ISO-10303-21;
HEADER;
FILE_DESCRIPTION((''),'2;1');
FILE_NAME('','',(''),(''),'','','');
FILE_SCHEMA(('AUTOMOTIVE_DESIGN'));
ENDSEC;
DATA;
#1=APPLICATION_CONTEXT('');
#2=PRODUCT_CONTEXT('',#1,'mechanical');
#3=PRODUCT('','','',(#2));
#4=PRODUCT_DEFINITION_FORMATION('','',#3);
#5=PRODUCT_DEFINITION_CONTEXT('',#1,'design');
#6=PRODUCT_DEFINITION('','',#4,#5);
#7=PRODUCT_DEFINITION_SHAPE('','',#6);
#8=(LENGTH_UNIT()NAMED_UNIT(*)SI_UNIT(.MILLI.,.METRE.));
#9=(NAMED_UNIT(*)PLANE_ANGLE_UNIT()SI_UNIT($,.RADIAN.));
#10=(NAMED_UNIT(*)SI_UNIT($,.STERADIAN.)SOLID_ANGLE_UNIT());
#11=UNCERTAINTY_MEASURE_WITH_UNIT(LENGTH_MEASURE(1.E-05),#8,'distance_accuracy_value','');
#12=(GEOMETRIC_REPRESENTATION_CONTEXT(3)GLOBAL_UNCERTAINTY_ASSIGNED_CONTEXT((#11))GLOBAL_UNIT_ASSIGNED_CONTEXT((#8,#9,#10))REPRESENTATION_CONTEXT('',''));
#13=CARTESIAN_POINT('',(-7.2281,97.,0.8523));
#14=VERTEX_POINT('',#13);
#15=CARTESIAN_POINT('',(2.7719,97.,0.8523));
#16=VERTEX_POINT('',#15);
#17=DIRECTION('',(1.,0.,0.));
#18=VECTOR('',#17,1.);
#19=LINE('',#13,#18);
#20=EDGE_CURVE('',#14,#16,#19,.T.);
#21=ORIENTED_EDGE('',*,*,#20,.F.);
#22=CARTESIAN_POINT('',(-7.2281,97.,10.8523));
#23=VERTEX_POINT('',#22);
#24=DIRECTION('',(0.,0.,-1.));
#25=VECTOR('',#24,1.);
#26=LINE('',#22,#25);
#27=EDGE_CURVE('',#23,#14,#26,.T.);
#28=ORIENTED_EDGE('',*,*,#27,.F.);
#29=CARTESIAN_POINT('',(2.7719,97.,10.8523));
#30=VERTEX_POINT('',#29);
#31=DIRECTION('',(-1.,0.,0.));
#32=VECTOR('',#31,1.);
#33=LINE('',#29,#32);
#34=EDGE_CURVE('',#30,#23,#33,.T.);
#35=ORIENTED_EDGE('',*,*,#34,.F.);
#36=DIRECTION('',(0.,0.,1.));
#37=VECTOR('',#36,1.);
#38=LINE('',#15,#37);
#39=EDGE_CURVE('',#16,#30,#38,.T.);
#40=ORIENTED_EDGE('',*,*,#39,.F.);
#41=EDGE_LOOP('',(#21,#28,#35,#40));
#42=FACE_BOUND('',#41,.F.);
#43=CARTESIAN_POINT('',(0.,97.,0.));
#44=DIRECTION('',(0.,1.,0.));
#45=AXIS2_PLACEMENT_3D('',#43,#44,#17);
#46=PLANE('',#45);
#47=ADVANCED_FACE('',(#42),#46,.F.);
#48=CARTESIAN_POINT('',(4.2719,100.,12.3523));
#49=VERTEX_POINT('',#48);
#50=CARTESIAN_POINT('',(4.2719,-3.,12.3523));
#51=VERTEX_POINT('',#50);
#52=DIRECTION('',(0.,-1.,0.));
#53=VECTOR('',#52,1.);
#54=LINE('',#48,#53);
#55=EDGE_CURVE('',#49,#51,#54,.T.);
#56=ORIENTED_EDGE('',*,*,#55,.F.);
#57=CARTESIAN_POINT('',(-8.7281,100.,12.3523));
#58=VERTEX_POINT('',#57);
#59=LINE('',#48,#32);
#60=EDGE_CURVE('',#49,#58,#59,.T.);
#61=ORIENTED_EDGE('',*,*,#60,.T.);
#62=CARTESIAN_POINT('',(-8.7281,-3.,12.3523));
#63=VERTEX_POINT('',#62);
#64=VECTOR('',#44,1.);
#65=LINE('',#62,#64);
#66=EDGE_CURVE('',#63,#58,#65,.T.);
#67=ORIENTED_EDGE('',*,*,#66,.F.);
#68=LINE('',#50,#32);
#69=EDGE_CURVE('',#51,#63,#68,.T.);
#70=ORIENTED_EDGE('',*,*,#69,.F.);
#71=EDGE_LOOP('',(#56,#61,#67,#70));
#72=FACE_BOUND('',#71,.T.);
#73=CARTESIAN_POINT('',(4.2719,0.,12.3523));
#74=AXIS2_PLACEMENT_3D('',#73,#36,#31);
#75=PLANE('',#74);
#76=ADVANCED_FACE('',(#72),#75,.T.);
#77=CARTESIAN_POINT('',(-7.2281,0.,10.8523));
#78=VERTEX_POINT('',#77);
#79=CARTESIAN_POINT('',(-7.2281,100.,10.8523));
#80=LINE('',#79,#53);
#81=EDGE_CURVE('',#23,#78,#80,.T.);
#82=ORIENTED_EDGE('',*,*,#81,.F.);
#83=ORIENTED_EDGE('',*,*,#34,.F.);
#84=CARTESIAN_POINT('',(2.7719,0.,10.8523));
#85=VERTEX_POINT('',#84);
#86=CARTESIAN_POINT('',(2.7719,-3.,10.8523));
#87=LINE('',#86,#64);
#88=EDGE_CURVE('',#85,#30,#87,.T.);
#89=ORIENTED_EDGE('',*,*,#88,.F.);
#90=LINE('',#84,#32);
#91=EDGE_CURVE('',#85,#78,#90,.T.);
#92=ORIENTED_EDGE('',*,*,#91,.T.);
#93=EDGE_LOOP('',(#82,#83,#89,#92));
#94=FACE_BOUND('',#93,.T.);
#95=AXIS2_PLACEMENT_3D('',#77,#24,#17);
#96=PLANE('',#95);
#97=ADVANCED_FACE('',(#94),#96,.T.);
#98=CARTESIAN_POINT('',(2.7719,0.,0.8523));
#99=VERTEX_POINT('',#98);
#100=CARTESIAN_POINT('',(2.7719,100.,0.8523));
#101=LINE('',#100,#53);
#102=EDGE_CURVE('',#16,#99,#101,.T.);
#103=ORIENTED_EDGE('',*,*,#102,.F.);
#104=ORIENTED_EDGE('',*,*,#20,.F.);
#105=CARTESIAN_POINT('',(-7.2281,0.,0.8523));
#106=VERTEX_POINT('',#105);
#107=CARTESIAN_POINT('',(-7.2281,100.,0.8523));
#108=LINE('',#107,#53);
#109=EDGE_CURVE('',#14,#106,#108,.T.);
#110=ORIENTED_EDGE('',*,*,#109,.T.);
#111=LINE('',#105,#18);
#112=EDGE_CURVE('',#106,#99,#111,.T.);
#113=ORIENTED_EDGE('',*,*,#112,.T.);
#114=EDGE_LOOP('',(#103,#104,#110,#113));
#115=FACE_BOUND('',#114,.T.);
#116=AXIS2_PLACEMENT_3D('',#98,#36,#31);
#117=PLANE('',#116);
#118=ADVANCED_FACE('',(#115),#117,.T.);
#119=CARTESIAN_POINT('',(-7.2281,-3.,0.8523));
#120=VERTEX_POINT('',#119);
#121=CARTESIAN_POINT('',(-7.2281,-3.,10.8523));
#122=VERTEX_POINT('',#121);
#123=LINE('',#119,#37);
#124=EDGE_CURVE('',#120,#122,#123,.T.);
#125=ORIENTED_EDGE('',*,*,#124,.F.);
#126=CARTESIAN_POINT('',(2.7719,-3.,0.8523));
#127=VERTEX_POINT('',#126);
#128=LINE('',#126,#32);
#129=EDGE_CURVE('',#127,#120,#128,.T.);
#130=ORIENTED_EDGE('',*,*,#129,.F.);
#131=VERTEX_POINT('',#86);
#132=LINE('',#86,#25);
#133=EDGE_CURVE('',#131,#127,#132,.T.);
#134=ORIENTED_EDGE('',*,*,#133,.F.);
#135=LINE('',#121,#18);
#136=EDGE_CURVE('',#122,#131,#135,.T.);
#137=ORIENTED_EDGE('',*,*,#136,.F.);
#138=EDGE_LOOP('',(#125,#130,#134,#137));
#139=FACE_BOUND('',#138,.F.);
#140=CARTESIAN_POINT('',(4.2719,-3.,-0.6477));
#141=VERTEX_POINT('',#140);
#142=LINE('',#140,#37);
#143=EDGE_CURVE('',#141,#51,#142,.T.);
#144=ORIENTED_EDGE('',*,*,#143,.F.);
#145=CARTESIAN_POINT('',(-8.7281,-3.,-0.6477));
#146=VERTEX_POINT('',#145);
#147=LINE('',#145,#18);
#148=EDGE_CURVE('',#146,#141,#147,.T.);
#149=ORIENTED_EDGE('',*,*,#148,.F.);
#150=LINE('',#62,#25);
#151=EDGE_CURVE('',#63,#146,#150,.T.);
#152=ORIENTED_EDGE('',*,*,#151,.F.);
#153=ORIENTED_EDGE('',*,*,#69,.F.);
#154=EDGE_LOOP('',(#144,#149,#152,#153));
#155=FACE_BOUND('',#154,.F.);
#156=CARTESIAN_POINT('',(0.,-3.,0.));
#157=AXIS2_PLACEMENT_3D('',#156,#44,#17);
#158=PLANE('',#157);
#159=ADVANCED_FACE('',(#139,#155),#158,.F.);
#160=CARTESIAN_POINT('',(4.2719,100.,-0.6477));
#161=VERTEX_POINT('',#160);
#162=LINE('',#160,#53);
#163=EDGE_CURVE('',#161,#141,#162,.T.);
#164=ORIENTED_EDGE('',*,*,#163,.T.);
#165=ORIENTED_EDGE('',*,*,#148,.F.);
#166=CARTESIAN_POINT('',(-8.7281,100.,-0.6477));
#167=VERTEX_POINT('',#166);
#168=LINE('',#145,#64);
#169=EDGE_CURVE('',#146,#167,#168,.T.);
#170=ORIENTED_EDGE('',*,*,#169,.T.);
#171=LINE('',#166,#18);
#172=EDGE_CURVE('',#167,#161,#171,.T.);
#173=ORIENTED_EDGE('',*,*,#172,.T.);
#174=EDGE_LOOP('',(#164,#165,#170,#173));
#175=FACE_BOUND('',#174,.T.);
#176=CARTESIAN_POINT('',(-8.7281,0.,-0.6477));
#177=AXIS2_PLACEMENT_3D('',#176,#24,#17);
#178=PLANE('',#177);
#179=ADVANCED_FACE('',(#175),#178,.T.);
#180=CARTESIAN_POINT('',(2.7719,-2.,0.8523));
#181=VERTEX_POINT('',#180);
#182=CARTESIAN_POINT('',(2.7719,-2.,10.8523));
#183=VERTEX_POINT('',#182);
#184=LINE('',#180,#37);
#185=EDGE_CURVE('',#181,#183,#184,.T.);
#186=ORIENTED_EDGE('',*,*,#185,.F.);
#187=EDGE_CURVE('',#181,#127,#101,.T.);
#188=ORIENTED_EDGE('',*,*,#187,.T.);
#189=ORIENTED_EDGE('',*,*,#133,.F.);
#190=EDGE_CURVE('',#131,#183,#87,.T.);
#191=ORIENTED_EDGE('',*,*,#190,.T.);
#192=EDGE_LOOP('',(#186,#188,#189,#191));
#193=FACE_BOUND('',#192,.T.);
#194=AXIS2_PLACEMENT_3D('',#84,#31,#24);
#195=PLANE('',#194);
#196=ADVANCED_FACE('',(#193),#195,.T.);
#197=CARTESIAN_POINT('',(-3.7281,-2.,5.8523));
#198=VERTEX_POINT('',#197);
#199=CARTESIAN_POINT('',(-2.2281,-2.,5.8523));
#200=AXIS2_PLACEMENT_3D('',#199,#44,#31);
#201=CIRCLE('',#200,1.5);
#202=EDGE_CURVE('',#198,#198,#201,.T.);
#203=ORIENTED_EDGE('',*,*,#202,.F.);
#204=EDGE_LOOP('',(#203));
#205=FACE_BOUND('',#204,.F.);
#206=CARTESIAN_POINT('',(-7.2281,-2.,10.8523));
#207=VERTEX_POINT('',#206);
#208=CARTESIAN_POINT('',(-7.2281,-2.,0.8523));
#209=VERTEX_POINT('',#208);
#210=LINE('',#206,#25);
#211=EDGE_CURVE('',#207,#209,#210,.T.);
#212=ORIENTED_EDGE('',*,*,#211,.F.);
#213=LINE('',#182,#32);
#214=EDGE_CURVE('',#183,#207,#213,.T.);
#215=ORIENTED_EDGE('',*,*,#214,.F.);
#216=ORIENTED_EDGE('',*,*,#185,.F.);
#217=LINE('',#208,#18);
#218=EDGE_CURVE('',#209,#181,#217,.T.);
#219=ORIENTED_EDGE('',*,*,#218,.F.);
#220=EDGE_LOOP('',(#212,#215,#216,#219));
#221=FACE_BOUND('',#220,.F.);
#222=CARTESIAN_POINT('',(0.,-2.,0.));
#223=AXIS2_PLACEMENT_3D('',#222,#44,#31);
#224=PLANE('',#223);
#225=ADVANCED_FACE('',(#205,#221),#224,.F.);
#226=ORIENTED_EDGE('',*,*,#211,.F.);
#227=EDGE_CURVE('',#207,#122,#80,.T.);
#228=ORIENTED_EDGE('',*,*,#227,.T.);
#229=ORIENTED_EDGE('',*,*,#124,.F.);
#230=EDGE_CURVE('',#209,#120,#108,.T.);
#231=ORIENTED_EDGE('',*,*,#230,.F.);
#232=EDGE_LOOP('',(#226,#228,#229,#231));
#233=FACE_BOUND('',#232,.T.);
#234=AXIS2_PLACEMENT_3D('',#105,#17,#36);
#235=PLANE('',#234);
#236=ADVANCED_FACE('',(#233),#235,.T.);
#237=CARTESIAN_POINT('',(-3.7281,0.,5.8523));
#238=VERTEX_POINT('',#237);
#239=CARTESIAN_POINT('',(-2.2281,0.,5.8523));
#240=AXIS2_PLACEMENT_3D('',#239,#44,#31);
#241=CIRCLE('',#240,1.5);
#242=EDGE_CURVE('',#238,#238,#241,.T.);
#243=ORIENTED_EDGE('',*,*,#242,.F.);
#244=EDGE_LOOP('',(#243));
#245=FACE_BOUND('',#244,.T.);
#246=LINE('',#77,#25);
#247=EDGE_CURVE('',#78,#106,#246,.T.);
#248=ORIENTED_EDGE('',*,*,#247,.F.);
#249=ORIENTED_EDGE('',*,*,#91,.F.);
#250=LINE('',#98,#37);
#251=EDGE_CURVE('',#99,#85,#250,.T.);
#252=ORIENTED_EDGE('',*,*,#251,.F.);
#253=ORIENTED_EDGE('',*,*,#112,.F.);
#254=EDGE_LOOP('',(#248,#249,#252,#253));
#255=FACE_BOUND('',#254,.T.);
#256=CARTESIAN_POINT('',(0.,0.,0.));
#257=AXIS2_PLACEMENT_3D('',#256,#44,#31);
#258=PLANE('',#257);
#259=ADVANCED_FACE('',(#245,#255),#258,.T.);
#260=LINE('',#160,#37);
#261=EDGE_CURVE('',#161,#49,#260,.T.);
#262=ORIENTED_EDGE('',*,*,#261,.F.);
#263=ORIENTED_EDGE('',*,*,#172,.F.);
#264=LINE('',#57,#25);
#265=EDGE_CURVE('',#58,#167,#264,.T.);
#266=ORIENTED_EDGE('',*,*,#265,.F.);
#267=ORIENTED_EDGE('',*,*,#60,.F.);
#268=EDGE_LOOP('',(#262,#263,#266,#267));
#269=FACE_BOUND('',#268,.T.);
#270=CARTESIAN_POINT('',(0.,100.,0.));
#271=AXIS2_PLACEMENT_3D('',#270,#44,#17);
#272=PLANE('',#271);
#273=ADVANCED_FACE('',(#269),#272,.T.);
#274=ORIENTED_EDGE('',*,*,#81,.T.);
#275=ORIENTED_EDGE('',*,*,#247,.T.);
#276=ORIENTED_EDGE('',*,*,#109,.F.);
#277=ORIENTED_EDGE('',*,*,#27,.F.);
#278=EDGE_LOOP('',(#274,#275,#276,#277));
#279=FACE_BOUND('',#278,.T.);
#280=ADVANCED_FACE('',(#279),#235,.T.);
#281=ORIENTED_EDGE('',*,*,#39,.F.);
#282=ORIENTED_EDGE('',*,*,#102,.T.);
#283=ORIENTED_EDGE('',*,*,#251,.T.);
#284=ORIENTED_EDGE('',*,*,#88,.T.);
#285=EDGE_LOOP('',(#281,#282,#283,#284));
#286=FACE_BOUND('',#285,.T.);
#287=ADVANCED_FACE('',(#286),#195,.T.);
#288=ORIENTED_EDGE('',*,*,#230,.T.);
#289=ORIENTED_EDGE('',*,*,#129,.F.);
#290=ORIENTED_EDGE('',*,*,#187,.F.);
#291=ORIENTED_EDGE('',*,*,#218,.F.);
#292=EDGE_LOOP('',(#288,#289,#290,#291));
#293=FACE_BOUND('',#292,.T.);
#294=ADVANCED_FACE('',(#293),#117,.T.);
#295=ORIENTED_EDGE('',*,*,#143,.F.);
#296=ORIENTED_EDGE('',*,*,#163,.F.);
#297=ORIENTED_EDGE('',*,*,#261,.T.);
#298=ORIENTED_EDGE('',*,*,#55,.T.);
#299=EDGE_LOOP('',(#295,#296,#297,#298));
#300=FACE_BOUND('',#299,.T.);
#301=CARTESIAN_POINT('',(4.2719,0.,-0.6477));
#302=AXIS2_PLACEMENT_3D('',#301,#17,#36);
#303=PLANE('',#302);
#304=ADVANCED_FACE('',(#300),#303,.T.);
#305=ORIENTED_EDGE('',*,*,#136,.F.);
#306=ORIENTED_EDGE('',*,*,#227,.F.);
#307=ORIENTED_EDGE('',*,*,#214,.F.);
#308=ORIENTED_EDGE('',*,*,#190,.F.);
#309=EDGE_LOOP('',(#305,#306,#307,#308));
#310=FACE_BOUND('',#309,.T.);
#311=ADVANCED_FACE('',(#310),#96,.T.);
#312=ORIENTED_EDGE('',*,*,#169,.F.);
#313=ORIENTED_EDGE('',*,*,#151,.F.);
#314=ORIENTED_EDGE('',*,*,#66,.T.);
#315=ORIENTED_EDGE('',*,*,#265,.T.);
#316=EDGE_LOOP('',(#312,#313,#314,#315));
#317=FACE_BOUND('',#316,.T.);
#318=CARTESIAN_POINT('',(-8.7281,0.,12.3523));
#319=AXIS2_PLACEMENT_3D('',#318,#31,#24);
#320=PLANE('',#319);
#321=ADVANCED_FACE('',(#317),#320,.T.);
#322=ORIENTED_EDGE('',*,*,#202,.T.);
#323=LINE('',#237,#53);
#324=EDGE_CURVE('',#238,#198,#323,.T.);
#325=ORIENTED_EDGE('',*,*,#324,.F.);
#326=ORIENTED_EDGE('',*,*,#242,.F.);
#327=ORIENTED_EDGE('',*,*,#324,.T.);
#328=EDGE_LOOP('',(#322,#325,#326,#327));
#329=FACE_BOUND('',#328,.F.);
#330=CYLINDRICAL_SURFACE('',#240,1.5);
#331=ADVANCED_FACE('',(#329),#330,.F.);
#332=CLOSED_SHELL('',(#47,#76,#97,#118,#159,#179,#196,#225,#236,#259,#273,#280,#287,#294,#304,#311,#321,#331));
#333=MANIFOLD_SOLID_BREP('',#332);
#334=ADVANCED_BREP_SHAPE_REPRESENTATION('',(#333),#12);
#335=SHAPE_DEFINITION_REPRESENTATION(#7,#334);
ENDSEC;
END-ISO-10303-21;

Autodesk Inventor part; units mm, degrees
ref_plane "YZ Plane" through (0, 0, 0) normal (1, 0, 0) x (0, 1, 0)
ref_plane "XZ Plane" through (0, 0, 0) normal (0, 1, 0) x (-1, 0, 0)
ref_plane "XY Plane" through (0, 0, 0) normal (0, 0, 1) x (1, 0, 0)
sketch "Sketch1" plane through (0, 0, 0) normal (0, 1, 0) x (-1, 0, 0)
  circle A0 centre (2.2281, 5.8523) radius 1.5 projected
  circle A1 centre (2.2281, 5.8523) radius 3.5
  line L0 (2.2281, 2.3523) -> (-0.803, 4.1023)
  line L1 (-0.803, 4.1023) -> (-0.803, 7.6023)
  line L2 (-0.803, 7.6023) -> (2.2281, 9.3523)
  line L3 (2.2281, 9.3523) -> (5.2592, 7.6023)
  line L4 (5.2592, 7.6023) -> (5.2592, 4.1023)
  line L5 (5.2592, 4.1023) -> (2.2281, 2.3523)
  point P0 (0, 0)
  dimension "d0" = 7
extrude "Extrusion1" add sketch "Sketch1" against normal blind 2 contours L4 L5 L0 L1 L2 L3
thread "Thread1" size "M3x0.5" class "6H" standard "ANSI Metric M Profile" full length
sketch "Sketch2" plane through (0, -2, 0) normal (0, -1, 0) x (1, 0, 0)
  line L0 (-5.2592, 7.6023) -> (-5.2592, 4.1023) projected
  line L1 (-5.2592, 4.1023) -> (-2.2281, 2.3523) projected
  line L2 (-2.2281, 2.3523) -> (0.803, 4.1023) projected
  line L3 (0.803, 4.1023) -> (0.803, 7.6023) projected
  line L4 (0.803, 7.6023) -> (-2.2281, 9.3523) projected
  line L5 (-2.2281, 9.3523) -> (-5.2592, 7.6023) projected
  circle A0 centre (-2.2281, 5.8523) radius 1.5 projected
  line L6 (-7.2281, 0.8523) -> (2.7719, 0.8523)
  line L7 (2.7719, 0.8523) -> (2.7719, 10.8523)
  line L8 (2.7719, 10.8523) -> (-7.2281, 10.8523)
  line L9 (-7.2281, 10.8523) -> (-7.2281, 0.8523)
  line L10 (-7.2281, 0.8523) -> (2.7719, 10.8523) construction
  line L11 (2.7719, 0.8523) -> (-7.2281, 10.8523) construction
  point P0 (0, 0)
  dimension "d5" = 10
  dimension "d6" = 10
extrude "Extrusion2" add sketch "Sketch2" against normal blind 2 contours L9 L8 L7 L6
sketch "Sketch3" plane through (0, 0, 0) normal (0, 1, 0) x (1, 0, 0)
  line L0 (2.7719, -10.8523) -> (2.7719, -0.8523) projected
  line L1 (2.7719, -0.8523) -> (-7.2281, -0.8523) projected
  line L2 (-7.2281, -0.8523) -> (-7.2281, -10.8523) projected
  line L3 (-7.2281, -10.8523) -> (2.7719, -10.8523) projected
  circle A0 centre (-2.2281, -5.8523) radius 1.5 projected
  line L4 (-8.7281, 0.6477) -> (4.2719, 0.6477)
  line L5 (4.2719, 0.6477) -> (4.2719, -12.3523)
  line L6 (4.2719, -12.3523) -> (-8.7281, -12.3523)
  line L7 (-8.7281, -12.3523) -> (-8.7281, 0.6477)
  line L8 (-8.7281, 0.6477) -> (4.2719, -12.3523) construction
  line L9 (4.2719, 0.6477) -> (-8.7281, -12.3523) construction
  point P0 (0, 0)
  dimension "d9" = 10
  dimension "d10" = 13
  dimension "d11" = 13
extrude "Extrusion3" add sketch "Sketch3" along normal blind 100 and the other way blind 3 contours L4 L5 L6 L7
sketch "Sketch4" plane through (0, 100, 0) normal (0, 1, 0) x (1, 0, 0)
  line L0 (-8.7281, -12.3523) -> (4.2719, -12.3523) projected
  line L1 (4.2719, -12.3523) -> (4.2719, 0.6477) projected
  line L2 (4.2719, 0.6477) -> (-8.7281, 0.6477) projected
  line L3 (-8.7281, 0.6477) -> (-8.7281, -12.3523) projected
  line L4 (2.7719, -10.8523) -> (-7.2281, -10.8523) projected
  line L5 (-7.2281, -10.8523) -> (-7.2281, -0.8523) projected
  line L6 (-7.2281, -0.8523) -> (2.7719, -0.8523) projected
  line L7 (2.7719, -0.8523) -> (2.7719, -10.8523) projected
  point P0 (0, 0)
extrude "Extrusion4" add sketch "Sketch4" against normal blind 3 contours L4 L5 L6 L7
properties part number "Nut"
